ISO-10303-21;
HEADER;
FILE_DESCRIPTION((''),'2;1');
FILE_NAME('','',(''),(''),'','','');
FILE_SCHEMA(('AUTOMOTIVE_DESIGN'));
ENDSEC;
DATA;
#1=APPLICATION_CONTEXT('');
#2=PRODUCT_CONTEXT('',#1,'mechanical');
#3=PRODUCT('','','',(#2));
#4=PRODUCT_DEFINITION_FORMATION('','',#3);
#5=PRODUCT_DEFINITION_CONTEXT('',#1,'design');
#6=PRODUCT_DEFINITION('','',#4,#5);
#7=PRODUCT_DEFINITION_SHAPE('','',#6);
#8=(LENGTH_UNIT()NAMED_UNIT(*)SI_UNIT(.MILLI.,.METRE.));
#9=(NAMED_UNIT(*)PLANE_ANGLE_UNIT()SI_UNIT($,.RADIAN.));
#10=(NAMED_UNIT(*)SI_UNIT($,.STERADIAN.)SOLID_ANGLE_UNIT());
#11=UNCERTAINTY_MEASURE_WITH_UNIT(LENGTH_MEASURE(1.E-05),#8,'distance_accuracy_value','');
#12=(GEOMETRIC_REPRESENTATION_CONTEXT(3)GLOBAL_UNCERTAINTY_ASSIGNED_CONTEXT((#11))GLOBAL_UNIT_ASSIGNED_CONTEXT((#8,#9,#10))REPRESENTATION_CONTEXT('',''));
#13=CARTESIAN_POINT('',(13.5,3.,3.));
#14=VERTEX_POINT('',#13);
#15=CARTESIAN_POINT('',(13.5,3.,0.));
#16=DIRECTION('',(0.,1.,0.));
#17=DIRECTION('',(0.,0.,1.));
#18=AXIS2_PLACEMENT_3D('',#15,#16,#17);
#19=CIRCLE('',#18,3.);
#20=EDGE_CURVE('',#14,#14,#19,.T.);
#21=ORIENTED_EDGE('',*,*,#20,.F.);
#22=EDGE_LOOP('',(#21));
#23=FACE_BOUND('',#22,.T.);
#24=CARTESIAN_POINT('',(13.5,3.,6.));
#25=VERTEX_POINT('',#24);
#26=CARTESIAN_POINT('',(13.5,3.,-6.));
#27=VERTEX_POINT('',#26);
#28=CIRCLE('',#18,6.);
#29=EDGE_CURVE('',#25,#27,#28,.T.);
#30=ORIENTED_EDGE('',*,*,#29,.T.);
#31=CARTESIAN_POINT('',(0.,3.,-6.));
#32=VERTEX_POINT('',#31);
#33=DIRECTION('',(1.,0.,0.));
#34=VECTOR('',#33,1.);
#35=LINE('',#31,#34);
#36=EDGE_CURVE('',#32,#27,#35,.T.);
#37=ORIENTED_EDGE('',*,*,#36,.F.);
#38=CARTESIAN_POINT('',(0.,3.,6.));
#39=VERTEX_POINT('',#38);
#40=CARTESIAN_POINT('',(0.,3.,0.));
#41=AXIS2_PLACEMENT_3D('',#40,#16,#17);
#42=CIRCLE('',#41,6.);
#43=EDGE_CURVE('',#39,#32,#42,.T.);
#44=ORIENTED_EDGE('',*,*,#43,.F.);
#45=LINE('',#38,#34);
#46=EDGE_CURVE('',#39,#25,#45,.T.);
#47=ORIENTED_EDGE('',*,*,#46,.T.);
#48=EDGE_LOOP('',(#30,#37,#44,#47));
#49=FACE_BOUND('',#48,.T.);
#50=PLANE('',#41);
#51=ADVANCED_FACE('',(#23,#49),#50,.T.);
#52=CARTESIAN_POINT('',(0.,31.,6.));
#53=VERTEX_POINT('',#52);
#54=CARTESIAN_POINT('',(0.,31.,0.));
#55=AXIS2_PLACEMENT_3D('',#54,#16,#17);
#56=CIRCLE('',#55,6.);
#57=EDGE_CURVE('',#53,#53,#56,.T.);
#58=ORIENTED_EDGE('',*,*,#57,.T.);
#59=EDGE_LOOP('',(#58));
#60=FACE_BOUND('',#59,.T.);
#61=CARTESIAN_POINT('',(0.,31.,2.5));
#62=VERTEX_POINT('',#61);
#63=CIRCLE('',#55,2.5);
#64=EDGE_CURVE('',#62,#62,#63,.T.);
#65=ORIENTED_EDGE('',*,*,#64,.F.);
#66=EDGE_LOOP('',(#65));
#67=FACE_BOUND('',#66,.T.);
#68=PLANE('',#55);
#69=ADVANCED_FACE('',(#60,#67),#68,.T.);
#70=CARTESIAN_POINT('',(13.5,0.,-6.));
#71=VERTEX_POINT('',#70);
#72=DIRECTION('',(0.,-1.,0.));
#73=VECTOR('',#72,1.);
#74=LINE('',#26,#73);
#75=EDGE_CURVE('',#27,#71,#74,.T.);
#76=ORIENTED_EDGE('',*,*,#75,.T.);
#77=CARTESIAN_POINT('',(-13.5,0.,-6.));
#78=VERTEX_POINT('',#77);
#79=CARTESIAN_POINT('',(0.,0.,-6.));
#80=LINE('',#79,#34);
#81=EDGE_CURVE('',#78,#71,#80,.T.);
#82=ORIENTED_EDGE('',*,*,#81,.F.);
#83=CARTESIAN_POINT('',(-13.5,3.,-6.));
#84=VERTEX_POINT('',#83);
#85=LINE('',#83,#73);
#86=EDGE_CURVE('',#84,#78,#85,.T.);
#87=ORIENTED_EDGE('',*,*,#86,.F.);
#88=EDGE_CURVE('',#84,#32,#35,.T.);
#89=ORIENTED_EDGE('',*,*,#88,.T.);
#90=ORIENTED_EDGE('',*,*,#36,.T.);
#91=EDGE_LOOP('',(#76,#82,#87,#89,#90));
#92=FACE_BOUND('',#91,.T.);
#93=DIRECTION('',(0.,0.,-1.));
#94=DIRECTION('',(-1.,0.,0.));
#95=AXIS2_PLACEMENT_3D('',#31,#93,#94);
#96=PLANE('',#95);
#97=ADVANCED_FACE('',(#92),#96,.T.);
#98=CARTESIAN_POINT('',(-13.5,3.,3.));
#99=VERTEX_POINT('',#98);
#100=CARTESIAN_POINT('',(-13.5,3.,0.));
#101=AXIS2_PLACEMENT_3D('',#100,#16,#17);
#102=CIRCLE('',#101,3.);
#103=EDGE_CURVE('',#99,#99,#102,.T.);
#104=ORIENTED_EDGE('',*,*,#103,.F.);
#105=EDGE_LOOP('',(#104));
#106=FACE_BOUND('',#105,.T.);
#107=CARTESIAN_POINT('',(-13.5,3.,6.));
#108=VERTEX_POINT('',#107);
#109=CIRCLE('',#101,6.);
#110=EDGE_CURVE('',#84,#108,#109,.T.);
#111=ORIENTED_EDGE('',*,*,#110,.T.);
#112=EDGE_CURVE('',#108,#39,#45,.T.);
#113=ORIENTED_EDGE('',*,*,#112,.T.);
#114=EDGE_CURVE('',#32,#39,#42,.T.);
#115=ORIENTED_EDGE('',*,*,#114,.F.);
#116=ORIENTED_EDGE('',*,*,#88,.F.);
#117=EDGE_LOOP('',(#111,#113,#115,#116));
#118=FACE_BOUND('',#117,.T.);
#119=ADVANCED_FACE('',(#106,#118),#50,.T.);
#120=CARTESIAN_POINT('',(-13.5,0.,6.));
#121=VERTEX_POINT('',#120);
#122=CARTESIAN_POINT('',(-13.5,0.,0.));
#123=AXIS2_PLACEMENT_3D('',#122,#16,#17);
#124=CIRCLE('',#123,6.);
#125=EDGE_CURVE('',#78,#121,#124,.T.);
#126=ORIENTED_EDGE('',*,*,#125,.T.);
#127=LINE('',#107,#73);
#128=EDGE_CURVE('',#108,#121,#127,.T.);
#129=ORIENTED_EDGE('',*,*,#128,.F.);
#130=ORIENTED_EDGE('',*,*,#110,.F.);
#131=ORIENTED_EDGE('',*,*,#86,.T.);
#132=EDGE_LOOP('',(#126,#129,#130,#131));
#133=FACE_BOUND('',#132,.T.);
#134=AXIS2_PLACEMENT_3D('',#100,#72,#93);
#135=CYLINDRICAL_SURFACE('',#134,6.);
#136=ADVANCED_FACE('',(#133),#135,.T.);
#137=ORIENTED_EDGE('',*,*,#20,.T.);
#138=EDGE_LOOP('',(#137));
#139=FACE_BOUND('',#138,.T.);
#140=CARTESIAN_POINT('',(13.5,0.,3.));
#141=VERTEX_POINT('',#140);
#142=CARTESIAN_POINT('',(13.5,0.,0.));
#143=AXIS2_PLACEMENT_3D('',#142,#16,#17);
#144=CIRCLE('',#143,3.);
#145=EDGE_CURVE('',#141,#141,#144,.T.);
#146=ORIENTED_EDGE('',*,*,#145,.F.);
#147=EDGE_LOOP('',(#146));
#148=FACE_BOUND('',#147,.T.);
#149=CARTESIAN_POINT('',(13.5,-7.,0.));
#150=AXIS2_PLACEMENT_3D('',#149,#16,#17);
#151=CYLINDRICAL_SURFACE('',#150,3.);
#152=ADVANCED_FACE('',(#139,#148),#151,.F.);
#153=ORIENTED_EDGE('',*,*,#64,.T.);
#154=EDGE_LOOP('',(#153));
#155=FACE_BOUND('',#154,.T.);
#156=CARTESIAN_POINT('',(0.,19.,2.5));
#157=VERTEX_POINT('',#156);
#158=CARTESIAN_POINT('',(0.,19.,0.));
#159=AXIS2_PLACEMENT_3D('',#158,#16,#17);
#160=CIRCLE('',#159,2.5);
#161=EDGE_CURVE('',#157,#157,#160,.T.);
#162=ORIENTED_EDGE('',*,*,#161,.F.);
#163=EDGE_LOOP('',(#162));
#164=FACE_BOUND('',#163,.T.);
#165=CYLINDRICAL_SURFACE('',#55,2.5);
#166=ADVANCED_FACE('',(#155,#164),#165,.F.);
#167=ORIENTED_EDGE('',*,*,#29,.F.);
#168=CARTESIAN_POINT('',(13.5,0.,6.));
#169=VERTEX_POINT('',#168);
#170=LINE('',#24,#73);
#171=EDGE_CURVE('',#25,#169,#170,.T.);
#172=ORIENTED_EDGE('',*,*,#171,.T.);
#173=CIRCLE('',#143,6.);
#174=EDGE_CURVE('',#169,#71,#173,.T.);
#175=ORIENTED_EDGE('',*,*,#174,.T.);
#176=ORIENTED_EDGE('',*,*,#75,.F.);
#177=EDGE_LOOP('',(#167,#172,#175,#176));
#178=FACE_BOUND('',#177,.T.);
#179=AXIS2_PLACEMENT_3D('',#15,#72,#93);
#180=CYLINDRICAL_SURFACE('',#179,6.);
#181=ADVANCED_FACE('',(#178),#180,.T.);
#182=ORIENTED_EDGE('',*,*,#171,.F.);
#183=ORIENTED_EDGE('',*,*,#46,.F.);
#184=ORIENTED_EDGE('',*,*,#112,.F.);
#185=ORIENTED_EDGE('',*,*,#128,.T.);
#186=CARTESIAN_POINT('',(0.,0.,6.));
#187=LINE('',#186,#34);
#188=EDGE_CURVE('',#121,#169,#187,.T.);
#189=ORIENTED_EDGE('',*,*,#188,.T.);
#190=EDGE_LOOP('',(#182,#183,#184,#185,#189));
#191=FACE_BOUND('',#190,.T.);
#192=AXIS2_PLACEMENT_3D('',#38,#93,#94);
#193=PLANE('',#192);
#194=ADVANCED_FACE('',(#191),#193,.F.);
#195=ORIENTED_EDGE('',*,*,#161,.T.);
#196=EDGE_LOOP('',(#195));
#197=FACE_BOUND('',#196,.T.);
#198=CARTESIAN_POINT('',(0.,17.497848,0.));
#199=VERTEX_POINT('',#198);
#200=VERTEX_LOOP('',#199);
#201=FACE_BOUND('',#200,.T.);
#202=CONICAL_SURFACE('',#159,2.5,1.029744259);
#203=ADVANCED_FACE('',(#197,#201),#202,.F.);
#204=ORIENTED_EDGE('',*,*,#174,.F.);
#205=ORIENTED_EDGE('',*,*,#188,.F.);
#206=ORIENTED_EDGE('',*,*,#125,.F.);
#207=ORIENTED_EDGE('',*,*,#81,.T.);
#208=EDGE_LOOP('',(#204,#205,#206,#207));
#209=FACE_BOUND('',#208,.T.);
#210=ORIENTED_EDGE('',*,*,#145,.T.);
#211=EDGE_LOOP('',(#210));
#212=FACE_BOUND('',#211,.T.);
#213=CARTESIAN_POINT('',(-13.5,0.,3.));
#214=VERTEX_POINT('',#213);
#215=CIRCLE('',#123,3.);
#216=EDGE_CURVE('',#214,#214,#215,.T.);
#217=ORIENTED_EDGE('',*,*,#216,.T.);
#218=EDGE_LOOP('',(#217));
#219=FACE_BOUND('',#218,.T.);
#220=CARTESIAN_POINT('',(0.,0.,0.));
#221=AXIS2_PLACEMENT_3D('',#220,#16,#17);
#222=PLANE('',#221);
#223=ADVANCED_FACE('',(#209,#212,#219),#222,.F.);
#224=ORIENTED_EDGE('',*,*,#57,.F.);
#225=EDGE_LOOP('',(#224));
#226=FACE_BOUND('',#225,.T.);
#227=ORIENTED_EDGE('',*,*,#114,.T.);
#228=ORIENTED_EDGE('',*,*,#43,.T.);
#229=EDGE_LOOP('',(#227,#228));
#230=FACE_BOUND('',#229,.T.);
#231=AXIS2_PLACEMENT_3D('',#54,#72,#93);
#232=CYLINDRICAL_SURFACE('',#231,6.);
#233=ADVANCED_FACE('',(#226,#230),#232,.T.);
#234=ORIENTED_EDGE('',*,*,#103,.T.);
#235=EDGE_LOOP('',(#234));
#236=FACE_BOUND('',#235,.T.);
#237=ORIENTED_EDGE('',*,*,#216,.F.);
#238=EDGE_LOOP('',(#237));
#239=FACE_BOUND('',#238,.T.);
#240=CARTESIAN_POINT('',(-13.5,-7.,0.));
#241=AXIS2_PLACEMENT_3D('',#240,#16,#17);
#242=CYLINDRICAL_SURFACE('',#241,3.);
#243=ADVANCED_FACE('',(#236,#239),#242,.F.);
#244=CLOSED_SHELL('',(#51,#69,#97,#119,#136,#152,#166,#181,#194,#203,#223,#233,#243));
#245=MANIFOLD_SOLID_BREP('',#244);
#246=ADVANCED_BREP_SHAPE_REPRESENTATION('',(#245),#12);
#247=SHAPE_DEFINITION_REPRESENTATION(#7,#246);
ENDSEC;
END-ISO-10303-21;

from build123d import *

# Parameters (mm, degrees)
SKETCH_1_R             = 6
EXTRUDE_1_DEPTH        = 3
SKETCH_2_R             = 6
EXTRUDE_2_DEPTH        = 28
HOLE_WIZARD_M6_1_D     = 5
HOLE_WIZARD_M6_1_DEPTH = 12
HOLE_WIZARD_M6_1_TIP   = 1.502151548
SKETCH_6_R             = 3
CUT_EXTRUDE_1_DEPTH    = 10


with BuildPart() as part:
    # 草图1 → 凸台-拉伸1 (new body)
    with BuildSketch(Plane(origin=(0, 0, 0), x_dir=(1, 0, 0), z_dir=(0, 1, 0))):
        with Locations((-13.5, 0)):
            Circle(SKETCH_1_R)
        with BuildLine():
            Line((13.5, 6), (-13.5, 6))
            ThreePointArc((-13.5, 6), (-9.257359313, 4.242640687), (-7.5, 0))
            ThreePointArc((-7.5, 0), (-9.257359313, -4.242640687), (-13.5, -6))
            Line((-13.5, -6), (13.5, -6))
            ThreePointArc((13.5, -6), (7.5, 0), (13.5, 6))
        make_face()
        with Locations((13.5, 0)):
            Circle(SKETCH_1_R)
    extrude(amount=EXTRUDE_1_DEPTH)

    # 草图2 → 凸台-拉伸2 (add)
    with BuildSketch(Plane(origin=(0, 3, 0), x_dir=(1, 0, 0), z_dir=(0, 1, 0))):
        Circle(SKETCH_2_R)
    extrude(amount=EXTRUDE_2_DEPTH)

    # M6 螺纹孔1
    with Locations(Plane(origin=(0, 31, 0), x_dir=(1, 0, 0), z_dir=(0, 1, 0))):
        with Locations((0, 0)):
            Hole(HOLE_WIZARD_M6_1_D / 2, depth=HOLE_WIZARD_M6_1_DEPTH)
            with Locations((0, 0, -(HOLE_WIZARD_M6_1_DEPTH + HOLE_WIZARD_M6_1_TIP / 2))):  # 118° drill point
                Cone(0, HOLE_WIZARD_M6_1_D / 2, HOLE_WIZARD_M6_1_TIP, mode=Mode.SUBTRACT)

    # 草图6 → 切除-拉伸1 (cut)
    with BuildSketch(Plane(origin=(0, 3, 0), x_dir=(1, 0, 0), z_dir=(0, 1, 0))):
        with Locations((-13.5, 0)):
            Circle(SKETCH_6_R)
        with Locations((13.5, 0)):
            Circle(SKETCH_6_R)
    extrude(amount=-CUT_EXTRUDE_1_DEPTH, mode=Mode.SUBTRACT)


solid = part.part
